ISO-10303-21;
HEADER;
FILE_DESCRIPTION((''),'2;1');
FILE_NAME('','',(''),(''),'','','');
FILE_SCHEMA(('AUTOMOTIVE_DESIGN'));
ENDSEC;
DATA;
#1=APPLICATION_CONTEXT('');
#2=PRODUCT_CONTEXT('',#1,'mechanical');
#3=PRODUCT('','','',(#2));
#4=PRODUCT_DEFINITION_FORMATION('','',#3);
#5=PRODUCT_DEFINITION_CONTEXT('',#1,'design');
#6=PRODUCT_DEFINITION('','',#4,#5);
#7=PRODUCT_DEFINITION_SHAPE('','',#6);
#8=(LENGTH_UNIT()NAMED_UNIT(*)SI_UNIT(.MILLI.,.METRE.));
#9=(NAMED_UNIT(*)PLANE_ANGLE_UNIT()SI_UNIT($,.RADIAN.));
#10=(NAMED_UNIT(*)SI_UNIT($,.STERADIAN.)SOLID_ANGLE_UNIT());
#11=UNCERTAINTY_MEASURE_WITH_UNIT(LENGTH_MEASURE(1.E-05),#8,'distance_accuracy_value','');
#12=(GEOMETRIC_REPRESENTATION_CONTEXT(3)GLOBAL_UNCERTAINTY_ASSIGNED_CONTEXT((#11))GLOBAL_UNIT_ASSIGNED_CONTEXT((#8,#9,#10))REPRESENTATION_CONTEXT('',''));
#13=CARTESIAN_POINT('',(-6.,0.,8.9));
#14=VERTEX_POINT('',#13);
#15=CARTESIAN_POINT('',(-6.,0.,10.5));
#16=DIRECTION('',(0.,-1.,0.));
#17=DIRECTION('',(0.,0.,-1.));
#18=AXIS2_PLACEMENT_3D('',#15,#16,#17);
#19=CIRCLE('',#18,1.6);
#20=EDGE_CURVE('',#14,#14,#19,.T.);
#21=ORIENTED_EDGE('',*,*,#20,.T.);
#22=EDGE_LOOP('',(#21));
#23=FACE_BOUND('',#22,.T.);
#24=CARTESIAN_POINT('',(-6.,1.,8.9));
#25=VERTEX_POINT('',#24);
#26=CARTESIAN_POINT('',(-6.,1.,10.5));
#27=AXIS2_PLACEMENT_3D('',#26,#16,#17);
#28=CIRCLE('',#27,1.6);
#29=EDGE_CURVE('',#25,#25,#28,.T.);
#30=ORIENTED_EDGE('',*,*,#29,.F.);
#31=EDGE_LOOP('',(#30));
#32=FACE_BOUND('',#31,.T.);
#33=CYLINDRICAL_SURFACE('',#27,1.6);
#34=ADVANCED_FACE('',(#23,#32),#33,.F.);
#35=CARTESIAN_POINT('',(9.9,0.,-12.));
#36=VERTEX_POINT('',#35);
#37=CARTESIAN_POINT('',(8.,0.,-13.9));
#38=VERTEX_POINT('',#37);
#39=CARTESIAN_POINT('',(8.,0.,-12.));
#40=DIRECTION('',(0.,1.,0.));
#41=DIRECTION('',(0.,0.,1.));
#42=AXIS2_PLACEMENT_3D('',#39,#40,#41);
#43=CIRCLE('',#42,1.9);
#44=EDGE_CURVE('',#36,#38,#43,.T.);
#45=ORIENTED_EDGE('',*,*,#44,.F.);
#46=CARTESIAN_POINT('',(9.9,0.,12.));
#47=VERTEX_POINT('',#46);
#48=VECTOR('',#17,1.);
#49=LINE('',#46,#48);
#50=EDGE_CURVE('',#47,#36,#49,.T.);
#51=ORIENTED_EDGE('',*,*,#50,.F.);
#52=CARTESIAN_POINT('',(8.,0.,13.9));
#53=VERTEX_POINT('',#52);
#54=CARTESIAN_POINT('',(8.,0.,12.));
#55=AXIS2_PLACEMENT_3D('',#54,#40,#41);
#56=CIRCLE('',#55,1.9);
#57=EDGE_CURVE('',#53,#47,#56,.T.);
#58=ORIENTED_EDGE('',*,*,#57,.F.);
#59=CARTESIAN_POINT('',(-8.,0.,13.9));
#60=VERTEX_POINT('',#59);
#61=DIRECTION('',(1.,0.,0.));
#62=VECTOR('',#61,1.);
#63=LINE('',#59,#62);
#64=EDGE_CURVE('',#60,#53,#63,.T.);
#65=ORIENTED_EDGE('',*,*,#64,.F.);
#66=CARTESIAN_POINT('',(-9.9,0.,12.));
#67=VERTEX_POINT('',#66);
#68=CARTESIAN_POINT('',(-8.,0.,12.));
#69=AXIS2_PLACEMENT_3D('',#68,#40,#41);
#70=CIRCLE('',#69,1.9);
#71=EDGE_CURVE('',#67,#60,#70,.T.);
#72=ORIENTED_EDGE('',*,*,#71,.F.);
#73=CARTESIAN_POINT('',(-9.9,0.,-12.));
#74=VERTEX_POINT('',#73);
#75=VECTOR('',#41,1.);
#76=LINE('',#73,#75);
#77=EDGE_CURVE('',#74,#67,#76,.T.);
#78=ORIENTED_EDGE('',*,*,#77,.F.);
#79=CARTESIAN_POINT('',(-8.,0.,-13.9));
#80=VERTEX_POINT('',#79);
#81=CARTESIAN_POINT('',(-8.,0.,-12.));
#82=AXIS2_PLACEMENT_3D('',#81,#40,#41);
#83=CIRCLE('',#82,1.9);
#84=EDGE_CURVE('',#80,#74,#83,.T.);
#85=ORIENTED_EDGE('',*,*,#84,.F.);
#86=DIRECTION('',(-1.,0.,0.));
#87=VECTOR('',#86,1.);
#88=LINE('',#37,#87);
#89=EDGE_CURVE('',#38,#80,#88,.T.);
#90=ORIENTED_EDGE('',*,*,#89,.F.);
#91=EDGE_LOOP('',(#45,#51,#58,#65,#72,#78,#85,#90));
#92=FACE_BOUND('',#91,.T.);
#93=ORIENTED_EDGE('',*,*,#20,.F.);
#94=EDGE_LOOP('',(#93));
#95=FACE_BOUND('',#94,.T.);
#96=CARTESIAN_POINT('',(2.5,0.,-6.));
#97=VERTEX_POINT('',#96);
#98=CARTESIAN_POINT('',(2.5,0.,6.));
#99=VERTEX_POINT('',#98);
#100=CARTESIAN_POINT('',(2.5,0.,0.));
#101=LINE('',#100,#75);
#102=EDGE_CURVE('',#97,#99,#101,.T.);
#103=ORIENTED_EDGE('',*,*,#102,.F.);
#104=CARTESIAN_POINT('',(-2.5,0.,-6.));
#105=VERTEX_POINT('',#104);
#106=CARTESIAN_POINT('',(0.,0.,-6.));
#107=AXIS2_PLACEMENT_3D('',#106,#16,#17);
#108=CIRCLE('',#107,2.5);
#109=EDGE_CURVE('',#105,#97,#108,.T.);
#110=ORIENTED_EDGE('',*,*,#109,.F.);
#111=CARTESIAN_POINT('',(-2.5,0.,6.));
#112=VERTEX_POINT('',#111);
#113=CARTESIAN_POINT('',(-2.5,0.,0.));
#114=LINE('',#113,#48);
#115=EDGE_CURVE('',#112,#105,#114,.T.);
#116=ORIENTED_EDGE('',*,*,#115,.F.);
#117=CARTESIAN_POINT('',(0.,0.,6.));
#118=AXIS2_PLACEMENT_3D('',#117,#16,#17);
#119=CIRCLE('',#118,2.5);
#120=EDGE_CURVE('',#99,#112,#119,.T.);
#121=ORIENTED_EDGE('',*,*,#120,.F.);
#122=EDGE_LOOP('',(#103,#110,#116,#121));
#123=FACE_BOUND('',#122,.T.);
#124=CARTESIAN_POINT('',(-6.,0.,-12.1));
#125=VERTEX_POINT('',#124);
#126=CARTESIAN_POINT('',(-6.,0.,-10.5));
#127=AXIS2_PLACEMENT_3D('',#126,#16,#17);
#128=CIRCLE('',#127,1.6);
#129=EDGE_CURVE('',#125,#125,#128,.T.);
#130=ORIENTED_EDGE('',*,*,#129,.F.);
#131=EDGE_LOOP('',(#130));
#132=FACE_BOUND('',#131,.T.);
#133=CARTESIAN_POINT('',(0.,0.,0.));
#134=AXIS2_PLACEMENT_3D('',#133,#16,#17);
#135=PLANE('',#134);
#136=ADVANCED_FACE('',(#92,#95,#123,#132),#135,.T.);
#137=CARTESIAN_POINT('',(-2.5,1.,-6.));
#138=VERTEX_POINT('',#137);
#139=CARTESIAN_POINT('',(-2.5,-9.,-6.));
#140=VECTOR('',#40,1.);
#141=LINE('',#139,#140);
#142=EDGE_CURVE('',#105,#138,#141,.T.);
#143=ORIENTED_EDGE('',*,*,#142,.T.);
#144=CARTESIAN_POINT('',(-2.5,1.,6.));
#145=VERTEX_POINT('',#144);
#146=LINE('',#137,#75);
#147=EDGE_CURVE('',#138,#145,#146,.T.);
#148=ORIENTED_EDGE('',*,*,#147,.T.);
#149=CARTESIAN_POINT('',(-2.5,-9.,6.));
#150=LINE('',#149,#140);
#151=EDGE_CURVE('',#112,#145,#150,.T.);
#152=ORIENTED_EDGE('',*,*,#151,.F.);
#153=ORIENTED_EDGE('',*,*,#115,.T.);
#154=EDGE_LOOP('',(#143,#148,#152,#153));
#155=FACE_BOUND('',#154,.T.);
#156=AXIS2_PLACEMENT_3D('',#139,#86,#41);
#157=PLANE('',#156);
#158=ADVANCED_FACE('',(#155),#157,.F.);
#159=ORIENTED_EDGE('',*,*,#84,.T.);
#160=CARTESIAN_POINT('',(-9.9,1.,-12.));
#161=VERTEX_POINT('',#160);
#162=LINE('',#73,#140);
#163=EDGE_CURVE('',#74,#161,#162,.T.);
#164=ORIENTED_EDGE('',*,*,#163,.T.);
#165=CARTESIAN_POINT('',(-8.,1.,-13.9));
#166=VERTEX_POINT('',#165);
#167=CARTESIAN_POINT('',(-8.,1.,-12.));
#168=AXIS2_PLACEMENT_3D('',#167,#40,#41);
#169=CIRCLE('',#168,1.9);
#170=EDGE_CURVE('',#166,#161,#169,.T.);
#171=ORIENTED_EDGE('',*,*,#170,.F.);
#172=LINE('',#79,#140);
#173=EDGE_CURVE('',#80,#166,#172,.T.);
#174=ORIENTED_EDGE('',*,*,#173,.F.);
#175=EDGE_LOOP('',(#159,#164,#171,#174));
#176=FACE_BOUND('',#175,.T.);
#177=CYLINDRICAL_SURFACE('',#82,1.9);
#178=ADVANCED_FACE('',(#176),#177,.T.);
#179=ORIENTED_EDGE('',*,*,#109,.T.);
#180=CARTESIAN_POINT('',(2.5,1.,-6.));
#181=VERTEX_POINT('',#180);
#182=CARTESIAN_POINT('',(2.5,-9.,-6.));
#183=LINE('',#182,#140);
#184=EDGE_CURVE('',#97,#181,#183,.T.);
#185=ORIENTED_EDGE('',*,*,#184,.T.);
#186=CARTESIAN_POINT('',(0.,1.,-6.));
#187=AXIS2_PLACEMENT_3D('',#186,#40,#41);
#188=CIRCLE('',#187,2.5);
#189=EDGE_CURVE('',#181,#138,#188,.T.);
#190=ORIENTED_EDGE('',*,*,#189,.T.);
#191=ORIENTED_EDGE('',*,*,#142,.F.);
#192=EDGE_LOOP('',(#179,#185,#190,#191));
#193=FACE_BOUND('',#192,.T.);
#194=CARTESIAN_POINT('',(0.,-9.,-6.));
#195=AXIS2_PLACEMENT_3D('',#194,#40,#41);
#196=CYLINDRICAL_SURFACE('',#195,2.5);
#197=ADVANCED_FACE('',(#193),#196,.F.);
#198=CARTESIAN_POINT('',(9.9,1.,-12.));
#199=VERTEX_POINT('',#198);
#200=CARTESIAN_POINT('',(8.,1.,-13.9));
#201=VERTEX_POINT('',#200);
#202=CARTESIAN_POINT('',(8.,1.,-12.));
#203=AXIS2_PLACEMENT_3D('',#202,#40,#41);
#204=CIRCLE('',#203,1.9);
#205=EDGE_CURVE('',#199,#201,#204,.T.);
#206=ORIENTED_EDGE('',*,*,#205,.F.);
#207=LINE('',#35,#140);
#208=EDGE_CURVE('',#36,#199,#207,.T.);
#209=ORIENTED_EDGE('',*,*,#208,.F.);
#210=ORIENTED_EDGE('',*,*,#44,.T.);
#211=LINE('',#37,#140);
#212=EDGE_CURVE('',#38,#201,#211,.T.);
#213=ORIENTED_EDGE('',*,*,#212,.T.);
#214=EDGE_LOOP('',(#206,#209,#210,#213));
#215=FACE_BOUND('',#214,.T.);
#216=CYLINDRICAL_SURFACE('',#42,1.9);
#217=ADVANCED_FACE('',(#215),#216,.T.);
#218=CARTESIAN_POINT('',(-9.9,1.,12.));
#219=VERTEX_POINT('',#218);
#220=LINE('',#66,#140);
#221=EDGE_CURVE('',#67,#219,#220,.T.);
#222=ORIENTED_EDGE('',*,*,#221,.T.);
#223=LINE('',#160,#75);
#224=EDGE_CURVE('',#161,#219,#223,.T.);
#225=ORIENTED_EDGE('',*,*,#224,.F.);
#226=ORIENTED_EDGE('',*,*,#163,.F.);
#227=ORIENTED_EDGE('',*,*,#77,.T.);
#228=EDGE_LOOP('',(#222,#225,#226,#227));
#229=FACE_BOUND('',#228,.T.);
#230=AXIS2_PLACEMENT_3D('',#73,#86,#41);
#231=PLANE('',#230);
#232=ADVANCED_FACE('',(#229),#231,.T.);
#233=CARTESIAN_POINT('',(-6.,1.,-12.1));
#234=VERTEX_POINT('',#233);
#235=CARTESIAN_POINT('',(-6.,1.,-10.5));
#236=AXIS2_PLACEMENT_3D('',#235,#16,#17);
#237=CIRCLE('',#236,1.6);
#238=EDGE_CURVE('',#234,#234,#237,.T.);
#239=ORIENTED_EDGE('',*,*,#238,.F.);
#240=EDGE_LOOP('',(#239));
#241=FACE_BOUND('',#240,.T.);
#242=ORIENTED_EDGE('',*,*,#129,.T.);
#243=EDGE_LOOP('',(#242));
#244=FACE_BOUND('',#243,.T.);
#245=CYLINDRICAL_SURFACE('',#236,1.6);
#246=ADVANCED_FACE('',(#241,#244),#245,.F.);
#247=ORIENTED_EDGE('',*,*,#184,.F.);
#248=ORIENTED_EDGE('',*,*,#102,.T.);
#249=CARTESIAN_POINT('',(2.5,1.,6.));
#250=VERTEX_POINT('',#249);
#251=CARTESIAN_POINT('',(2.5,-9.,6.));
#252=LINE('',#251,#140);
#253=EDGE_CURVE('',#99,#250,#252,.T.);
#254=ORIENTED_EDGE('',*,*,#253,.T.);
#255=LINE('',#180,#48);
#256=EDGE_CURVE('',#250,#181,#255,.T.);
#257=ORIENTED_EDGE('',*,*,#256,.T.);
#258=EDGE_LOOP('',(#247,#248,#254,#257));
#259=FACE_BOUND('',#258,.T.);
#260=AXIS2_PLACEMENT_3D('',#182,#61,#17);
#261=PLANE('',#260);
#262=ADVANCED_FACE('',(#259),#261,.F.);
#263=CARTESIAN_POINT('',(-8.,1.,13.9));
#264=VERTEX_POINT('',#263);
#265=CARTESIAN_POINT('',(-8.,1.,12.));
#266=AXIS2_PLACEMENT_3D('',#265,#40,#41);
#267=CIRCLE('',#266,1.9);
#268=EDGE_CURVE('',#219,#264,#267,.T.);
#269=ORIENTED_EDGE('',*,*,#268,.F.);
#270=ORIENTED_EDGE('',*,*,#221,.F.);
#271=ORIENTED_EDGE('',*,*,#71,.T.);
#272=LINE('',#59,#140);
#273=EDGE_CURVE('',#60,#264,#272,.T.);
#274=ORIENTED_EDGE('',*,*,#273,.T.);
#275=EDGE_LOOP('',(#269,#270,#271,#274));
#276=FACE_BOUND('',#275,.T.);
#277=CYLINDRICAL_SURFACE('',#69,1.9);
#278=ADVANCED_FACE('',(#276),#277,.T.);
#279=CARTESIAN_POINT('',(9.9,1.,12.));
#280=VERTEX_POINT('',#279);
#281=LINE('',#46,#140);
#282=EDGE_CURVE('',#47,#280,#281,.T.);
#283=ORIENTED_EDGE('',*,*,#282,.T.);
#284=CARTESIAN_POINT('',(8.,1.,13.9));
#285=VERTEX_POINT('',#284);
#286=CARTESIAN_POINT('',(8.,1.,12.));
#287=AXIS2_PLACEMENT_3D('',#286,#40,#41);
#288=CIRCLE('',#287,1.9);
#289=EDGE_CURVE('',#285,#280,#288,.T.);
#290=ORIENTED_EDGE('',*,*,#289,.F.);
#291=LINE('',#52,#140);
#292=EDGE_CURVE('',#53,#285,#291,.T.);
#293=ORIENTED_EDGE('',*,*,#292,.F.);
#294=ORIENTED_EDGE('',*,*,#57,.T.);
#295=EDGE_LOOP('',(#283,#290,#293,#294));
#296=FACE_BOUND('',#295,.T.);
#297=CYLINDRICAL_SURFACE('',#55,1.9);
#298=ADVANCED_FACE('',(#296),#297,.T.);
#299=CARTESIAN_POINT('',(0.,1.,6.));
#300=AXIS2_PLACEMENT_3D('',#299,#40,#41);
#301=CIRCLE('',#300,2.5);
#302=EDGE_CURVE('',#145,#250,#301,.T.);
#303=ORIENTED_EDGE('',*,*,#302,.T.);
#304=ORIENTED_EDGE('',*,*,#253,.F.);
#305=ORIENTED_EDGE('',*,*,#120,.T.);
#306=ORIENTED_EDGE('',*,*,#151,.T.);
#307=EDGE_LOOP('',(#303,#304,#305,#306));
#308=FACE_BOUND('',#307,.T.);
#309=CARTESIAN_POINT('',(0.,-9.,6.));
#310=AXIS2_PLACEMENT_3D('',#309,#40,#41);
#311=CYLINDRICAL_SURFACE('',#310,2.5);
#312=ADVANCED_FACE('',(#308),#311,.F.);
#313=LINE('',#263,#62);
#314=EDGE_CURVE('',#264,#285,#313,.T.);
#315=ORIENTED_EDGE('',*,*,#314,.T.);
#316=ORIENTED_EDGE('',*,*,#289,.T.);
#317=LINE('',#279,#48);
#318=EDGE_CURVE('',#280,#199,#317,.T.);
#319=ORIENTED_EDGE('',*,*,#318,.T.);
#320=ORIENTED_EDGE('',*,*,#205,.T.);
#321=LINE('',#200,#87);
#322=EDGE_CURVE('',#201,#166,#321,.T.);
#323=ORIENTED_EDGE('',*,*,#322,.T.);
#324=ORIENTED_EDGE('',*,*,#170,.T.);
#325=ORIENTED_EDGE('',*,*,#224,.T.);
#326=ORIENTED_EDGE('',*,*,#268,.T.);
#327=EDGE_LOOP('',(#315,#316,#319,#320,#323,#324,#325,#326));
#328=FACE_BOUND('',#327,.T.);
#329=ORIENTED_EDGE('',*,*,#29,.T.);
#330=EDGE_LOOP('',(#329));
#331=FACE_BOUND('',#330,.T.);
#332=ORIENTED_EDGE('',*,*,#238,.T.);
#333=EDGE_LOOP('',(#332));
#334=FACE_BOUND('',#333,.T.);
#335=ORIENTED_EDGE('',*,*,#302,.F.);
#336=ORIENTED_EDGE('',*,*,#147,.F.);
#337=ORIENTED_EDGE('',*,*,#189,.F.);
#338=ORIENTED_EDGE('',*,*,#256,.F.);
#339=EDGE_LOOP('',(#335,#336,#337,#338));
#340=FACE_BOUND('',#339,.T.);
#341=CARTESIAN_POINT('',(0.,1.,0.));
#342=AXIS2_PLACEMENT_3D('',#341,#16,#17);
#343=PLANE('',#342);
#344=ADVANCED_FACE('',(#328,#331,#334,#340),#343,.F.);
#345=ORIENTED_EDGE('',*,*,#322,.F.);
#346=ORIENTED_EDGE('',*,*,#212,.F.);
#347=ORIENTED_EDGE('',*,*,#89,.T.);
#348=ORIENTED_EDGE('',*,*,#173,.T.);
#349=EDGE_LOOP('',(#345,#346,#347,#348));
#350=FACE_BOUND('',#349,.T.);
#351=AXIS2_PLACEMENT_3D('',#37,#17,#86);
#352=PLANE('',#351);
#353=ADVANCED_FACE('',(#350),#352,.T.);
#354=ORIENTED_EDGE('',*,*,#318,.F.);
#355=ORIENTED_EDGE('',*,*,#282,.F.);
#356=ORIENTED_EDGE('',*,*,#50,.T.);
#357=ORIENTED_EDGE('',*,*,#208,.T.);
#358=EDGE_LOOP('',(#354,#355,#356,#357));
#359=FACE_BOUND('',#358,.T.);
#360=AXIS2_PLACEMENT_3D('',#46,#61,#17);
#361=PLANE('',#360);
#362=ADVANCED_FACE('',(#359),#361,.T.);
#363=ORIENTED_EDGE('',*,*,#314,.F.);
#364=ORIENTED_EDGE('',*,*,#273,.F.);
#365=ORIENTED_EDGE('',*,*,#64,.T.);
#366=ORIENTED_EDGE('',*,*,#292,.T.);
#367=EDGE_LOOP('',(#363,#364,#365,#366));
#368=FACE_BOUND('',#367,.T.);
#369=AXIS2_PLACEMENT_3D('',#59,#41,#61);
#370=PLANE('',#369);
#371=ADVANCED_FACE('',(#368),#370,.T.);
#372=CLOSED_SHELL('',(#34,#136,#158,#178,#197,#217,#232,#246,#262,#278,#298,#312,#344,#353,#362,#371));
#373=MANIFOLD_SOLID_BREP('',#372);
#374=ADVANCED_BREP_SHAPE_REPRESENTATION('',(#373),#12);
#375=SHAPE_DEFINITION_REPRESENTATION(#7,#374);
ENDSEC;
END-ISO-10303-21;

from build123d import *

# Parameters (mm, degrees)
SKETCH1_W           = 20
SKETCH1_H           = 28
BOSS_EXTRUDE1_DEPTH = 1
FILLET1_R           = 2
SKETCH2_W           = 25.473591578
SKETCH2_H           = 30.562755328
CUT_EXTRUDE1_DEPTH  = 18.23368794
SKETCH3_R           = 1.6
CUT_EXTRUDE2_DEPTH  = 18.094443542
CUT_EXTRUDE3_DEPTH  = 10


with BuildPart() as part:
    # Sketch1 → Boss-Extrude1 (new body)
    with BuildSketch(Plane(origin=(0, 0, 0), x_dir=(1, 0, 0), z_dir=(0, 1, 0))):
        Rectangle(SKETCH1_W, SKETCH1_H)
    extrude(amount=BOSS_EXTRUDE1_DEPTH)

    # Fillet1
    fillet1_edges = [part.edges().sort_by_distance(p)[0] for p in [
        (10, 0.5, 14),
        (-10, 0.5, 14),
        (-10, 0.5, -14),
        (10, 0.5, -14),
    ]]
    fillet(fillet1_edges, radius=FILLET1_R)

    # Sketch2 → Cut-Extrude1 (cut, through all)
    with BuildSketch(Plane(origin=(0, 1, 0), x_dir=(1, 0, 0), z_dir=(0, 1, 0))):
        Rectangle(SKETCH2_W, SKETCH2_H)
        with BuildLine():
            Line((-8, -13.9), (8, -13.9))
            ThreePointArc((8, -13.9), (9.343502884, -13.343502884), (9.9, -12))
            Line((9.9, -12), (9.9, 12))
            ThreePointArc((9.9, 12), (9.343502884, 13.343502884), (8, 13.9))
            Line((8, 13.9), (-8, 13.9))
            ThreePointArc((-8, 13.9), (-9.343502884, 13.343502884), (-9.9, 12))
            Line((-9.9, 12), (-9.9, -12))
            ThreePointArc((-9.9, -12), (-9.343502884, -13.343502884), (-8, -13.9))
        make_face(mode=Mode.SUBTRACT)
    extrude(amount=-CUT_EXTRUDE1_DEPTH, mode=Mode.SUBTRACT)

    # Sketch3 → Cut-Extrude2 (cut, through all)
    with BuildSketch(Plane(origin=(0, 0, 0), x_dir=(-1, 0, 0), z_dir=(0, -1, 0))):
        with Locations(Location((6, -10.5, 0), (0, 0, 90))):
            Circle(SKETCH3_R)
        with Locations(Location((6, 10.5, 0), (0, 0, 90))):
            Circle(SKETCH3_R)
    extrude(amount=-CUT_EXTRUDE2_DEPTH, mode=Mode.SUBTRACT)

    # Sketch4 → Cut-Extrude3 (cut)
    with BuildSketch(Plane(origin=(0, 1, 0), x_dir=(1, 0, 0), z_dir=(0, 1, 0))):
        with BuildLine():
            Line((2.5, 6), (2.5, -6))
            ThreePointArc((2.5, -6), (0, -8.5), (-2.5, -6))
            Line((-2.5, -6), (-2.5, 6))
            ThreePointArc((-2.5, 6), (0, 8.5), (2.5, 6))
        make_face()
    extrude(amount=-CUT_EXTRUDE3_DEPTH, mode=Mode.SUBTRACT)


solid = part.part
